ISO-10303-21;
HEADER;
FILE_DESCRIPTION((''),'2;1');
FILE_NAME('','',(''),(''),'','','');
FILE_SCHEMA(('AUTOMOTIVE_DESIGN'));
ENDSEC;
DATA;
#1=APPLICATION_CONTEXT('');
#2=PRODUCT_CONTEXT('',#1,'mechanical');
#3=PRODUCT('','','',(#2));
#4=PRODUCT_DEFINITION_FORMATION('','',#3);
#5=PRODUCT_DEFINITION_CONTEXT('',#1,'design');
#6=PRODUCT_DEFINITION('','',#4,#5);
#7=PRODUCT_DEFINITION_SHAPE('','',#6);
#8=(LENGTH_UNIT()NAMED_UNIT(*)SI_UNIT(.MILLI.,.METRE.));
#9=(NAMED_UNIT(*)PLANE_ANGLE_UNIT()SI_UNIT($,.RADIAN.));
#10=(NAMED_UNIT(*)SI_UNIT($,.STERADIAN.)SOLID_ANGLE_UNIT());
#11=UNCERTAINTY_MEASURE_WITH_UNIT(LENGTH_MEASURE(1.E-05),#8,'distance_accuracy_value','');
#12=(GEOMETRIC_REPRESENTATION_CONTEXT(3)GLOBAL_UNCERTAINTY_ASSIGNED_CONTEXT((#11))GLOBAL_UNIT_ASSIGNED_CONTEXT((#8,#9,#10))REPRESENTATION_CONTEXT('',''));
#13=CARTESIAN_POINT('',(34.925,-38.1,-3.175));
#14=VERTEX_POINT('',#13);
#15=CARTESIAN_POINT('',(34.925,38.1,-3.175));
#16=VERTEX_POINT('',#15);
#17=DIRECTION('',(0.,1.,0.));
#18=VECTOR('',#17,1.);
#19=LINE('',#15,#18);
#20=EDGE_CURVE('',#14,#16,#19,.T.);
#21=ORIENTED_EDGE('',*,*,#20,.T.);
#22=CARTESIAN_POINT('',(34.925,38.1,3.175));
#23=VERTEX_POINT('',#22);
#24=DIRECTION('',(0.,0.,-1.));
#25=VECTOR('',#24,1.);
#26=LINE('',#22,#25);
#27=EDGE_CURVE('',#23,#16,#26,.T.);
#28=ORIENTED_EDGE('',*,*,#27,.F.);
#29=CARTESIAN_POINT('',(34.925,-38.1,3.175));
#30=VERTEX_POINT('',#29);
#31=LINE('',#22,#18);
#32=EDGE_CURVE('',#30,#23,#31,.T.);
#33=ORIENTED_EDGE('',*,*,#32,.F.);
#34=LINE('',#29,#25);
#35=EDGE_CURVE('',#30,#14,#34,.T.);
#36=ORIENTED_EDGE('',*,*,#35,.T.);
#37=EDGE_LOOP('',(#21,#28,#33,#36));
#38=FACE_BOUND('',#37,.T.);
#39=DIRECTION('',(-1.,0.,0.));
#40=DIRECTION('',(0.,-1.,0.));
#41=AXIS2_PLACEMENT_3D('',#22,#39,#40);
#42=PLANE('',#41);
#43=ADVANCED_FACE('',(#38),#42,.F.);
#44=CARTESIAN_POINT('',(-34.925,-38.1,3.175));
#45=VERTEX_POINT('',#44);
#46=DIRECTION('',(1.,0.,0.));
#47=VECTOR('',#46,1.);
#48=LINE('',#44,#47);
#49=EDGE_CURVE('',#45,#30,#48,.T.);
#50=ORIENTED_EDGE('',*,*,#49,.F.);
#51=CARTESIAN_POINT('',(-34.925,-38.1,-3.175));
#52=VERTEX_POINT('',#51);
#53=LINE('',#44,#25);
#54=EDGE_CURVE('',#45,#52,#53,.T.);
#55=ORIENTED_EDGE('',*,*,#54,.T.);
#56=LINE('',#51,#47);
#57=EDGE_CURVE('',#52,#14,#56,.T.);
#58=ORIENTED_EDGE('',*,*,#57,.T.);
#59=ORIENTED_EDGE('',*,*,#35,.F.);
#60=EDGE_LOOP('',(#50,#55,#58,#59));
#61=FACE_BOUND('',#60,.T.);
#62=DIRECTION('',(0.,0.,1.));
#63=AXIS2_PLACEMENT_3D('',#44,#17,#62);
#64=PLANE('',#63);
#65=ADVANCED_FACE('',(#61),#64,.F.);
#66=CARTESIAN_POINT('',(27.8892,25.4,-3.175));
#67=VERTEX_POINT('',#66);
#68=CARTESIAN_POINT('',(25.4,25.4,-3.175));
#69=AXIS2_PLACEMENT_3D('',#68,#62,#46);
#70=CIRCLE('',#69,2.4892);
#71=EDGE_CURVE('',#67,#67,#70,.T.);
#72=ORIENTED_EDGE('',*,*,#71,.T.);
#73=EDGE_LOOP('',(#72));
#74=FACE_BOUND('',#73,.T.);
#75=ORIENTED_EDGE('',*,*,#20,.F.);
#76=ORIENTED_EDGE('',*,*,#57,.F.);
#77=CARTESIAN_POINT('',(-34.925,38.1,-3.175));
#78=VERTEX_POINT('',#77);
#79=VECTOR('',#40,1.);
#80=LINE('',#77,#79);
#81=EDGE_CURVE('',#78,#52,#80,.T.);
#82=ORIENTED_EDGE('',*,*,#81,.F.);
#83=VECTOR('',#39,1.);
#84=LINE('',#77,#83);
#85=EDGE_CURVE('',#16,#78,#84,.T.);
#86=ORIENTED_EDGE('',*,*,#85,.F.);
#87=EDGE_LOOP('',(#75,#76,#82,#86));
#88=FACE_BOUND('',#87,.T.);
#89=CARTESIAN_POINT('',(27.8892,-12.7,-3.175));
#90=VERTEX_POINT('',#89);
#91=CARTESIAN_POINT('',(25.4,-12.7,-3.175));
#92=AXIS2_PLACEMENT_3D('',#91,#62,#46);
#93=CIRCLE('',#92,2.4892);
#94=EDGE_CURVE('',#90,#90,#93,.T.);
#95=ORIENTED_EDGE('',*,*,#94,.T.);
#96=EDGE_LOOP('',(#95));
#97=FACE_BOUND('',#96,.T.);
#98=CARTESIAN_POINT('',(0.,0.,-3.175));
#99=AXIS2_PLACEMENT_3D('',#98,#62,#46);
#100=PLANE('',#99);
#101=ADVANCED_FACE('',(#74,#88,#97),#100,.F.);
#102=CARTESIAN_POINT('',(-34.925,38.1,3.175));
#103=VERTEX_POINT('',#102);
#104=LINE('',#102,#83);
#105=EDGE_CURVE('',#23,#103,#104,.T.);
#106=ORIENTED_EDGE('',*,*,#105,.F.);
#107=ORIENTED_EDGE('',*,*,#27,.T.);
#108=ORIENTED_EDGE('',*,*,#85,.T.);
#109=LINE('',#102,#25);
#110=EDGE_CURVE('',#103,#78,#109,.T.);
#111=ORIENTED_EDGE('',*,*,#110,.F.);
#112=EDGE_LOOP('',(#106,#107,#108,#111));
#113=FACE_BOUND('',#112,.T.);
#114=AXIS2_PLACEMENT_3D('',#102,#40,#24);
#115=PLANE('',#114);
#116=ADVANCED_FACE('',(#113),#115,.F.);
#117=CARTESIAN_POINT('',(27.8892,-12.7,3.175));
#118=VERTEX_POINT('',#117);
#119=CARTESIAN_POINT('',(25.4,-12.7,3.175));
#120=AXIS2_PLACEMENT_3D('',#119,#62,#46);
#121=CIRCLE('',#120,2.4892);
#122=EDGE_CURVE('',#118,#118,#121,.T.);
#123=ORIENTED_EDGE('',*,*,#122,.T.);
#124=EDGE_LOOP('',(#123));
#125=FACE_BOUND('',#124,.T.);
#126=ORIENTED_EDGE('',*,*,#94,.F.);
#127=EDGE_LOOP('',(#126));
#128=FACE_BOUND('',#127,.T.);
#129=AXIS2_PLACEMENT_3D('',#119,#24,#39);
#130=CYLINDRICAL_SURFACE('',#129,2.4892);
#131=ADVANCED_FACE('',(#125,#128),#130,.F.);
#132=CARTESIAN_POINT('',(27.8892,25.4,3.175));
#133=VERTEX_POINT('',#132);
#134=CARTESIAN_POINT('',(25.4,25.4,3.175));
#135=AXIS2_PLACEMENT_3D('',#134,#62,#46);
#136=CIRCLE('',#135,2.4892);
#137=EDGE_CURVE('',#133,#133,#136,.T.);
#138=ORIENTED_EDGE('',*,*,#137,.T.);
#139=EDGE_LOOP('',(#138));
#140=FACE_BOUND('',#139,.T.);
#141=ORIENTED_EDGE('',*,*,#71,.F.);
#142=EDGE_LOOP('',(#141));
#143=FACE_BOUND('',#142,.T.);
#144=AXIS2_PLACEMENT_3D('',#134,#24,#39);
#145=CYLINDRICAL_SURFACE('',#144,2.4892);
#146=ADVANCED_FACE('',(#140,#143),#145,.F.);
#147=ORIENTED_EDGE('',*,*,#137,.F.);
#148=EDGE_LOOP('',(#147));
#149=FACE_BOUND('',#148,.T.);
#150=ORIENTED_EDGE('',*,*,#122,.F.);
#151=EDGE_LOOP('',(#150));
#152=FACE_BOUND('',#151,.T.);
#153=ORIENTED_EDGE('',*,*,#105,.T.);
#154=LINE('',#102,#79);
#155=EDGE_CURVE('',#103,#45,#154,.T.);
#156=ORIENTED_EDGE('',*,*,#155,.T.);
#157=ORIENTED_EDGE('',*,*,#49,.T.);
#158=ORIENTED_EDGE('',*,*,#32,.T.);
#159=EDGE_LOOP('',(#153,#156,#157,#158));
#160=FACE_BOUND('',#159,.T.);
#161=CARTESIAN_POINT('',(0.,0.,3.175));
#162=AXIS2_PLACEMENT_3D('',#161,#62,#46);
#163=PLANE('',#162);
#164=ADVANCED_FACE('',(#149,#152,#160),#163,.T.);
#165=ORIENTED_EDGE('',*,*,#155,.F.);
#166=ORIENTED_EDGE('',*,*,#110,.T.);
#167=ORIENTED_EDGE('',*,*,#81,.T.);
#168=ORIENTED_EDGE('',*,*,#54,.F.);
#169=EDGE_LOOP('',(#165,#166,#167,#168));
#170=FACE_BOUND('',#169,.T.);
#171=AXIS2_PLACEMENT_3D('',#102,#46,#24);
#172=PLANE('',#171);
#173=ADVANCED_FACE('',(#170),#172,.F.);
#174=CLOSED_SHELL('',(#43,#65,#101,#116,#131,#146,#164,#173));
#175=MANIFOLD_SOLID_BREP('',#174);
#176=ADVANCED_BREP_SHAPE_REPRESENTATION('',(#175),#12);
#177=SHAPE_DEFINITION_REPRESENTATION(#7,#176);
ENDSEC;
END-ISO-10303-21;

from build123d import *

# Parameters (mm, degrees)
SKETCH1_W           = 69.85
SKETCH1_H           = 76.2
SKETCH1_R           = 2.4892
BOSS_EXTRUDE1_DEPTH = 3.175


with BuildPart() as part:
    # Sketch1 → Boss-Extrude1 (new, symmetric)
    with BuildSketch(Plane.XY):
        Rectangle(SKETCH1_W, SKETCH1_H)
        with Locations((25.4, 25.4)):
            Circle(SKETCH1_R, mode=Mode.SUBTRACT)
        with Locations((25.4, -12.7)):
            Circle(SKETCH1_R, mode=Mode.SUBTRACT)
    extrude(amount=BOSS_EXTRUDE1_DEPTH, both=True)


solid = part.part
